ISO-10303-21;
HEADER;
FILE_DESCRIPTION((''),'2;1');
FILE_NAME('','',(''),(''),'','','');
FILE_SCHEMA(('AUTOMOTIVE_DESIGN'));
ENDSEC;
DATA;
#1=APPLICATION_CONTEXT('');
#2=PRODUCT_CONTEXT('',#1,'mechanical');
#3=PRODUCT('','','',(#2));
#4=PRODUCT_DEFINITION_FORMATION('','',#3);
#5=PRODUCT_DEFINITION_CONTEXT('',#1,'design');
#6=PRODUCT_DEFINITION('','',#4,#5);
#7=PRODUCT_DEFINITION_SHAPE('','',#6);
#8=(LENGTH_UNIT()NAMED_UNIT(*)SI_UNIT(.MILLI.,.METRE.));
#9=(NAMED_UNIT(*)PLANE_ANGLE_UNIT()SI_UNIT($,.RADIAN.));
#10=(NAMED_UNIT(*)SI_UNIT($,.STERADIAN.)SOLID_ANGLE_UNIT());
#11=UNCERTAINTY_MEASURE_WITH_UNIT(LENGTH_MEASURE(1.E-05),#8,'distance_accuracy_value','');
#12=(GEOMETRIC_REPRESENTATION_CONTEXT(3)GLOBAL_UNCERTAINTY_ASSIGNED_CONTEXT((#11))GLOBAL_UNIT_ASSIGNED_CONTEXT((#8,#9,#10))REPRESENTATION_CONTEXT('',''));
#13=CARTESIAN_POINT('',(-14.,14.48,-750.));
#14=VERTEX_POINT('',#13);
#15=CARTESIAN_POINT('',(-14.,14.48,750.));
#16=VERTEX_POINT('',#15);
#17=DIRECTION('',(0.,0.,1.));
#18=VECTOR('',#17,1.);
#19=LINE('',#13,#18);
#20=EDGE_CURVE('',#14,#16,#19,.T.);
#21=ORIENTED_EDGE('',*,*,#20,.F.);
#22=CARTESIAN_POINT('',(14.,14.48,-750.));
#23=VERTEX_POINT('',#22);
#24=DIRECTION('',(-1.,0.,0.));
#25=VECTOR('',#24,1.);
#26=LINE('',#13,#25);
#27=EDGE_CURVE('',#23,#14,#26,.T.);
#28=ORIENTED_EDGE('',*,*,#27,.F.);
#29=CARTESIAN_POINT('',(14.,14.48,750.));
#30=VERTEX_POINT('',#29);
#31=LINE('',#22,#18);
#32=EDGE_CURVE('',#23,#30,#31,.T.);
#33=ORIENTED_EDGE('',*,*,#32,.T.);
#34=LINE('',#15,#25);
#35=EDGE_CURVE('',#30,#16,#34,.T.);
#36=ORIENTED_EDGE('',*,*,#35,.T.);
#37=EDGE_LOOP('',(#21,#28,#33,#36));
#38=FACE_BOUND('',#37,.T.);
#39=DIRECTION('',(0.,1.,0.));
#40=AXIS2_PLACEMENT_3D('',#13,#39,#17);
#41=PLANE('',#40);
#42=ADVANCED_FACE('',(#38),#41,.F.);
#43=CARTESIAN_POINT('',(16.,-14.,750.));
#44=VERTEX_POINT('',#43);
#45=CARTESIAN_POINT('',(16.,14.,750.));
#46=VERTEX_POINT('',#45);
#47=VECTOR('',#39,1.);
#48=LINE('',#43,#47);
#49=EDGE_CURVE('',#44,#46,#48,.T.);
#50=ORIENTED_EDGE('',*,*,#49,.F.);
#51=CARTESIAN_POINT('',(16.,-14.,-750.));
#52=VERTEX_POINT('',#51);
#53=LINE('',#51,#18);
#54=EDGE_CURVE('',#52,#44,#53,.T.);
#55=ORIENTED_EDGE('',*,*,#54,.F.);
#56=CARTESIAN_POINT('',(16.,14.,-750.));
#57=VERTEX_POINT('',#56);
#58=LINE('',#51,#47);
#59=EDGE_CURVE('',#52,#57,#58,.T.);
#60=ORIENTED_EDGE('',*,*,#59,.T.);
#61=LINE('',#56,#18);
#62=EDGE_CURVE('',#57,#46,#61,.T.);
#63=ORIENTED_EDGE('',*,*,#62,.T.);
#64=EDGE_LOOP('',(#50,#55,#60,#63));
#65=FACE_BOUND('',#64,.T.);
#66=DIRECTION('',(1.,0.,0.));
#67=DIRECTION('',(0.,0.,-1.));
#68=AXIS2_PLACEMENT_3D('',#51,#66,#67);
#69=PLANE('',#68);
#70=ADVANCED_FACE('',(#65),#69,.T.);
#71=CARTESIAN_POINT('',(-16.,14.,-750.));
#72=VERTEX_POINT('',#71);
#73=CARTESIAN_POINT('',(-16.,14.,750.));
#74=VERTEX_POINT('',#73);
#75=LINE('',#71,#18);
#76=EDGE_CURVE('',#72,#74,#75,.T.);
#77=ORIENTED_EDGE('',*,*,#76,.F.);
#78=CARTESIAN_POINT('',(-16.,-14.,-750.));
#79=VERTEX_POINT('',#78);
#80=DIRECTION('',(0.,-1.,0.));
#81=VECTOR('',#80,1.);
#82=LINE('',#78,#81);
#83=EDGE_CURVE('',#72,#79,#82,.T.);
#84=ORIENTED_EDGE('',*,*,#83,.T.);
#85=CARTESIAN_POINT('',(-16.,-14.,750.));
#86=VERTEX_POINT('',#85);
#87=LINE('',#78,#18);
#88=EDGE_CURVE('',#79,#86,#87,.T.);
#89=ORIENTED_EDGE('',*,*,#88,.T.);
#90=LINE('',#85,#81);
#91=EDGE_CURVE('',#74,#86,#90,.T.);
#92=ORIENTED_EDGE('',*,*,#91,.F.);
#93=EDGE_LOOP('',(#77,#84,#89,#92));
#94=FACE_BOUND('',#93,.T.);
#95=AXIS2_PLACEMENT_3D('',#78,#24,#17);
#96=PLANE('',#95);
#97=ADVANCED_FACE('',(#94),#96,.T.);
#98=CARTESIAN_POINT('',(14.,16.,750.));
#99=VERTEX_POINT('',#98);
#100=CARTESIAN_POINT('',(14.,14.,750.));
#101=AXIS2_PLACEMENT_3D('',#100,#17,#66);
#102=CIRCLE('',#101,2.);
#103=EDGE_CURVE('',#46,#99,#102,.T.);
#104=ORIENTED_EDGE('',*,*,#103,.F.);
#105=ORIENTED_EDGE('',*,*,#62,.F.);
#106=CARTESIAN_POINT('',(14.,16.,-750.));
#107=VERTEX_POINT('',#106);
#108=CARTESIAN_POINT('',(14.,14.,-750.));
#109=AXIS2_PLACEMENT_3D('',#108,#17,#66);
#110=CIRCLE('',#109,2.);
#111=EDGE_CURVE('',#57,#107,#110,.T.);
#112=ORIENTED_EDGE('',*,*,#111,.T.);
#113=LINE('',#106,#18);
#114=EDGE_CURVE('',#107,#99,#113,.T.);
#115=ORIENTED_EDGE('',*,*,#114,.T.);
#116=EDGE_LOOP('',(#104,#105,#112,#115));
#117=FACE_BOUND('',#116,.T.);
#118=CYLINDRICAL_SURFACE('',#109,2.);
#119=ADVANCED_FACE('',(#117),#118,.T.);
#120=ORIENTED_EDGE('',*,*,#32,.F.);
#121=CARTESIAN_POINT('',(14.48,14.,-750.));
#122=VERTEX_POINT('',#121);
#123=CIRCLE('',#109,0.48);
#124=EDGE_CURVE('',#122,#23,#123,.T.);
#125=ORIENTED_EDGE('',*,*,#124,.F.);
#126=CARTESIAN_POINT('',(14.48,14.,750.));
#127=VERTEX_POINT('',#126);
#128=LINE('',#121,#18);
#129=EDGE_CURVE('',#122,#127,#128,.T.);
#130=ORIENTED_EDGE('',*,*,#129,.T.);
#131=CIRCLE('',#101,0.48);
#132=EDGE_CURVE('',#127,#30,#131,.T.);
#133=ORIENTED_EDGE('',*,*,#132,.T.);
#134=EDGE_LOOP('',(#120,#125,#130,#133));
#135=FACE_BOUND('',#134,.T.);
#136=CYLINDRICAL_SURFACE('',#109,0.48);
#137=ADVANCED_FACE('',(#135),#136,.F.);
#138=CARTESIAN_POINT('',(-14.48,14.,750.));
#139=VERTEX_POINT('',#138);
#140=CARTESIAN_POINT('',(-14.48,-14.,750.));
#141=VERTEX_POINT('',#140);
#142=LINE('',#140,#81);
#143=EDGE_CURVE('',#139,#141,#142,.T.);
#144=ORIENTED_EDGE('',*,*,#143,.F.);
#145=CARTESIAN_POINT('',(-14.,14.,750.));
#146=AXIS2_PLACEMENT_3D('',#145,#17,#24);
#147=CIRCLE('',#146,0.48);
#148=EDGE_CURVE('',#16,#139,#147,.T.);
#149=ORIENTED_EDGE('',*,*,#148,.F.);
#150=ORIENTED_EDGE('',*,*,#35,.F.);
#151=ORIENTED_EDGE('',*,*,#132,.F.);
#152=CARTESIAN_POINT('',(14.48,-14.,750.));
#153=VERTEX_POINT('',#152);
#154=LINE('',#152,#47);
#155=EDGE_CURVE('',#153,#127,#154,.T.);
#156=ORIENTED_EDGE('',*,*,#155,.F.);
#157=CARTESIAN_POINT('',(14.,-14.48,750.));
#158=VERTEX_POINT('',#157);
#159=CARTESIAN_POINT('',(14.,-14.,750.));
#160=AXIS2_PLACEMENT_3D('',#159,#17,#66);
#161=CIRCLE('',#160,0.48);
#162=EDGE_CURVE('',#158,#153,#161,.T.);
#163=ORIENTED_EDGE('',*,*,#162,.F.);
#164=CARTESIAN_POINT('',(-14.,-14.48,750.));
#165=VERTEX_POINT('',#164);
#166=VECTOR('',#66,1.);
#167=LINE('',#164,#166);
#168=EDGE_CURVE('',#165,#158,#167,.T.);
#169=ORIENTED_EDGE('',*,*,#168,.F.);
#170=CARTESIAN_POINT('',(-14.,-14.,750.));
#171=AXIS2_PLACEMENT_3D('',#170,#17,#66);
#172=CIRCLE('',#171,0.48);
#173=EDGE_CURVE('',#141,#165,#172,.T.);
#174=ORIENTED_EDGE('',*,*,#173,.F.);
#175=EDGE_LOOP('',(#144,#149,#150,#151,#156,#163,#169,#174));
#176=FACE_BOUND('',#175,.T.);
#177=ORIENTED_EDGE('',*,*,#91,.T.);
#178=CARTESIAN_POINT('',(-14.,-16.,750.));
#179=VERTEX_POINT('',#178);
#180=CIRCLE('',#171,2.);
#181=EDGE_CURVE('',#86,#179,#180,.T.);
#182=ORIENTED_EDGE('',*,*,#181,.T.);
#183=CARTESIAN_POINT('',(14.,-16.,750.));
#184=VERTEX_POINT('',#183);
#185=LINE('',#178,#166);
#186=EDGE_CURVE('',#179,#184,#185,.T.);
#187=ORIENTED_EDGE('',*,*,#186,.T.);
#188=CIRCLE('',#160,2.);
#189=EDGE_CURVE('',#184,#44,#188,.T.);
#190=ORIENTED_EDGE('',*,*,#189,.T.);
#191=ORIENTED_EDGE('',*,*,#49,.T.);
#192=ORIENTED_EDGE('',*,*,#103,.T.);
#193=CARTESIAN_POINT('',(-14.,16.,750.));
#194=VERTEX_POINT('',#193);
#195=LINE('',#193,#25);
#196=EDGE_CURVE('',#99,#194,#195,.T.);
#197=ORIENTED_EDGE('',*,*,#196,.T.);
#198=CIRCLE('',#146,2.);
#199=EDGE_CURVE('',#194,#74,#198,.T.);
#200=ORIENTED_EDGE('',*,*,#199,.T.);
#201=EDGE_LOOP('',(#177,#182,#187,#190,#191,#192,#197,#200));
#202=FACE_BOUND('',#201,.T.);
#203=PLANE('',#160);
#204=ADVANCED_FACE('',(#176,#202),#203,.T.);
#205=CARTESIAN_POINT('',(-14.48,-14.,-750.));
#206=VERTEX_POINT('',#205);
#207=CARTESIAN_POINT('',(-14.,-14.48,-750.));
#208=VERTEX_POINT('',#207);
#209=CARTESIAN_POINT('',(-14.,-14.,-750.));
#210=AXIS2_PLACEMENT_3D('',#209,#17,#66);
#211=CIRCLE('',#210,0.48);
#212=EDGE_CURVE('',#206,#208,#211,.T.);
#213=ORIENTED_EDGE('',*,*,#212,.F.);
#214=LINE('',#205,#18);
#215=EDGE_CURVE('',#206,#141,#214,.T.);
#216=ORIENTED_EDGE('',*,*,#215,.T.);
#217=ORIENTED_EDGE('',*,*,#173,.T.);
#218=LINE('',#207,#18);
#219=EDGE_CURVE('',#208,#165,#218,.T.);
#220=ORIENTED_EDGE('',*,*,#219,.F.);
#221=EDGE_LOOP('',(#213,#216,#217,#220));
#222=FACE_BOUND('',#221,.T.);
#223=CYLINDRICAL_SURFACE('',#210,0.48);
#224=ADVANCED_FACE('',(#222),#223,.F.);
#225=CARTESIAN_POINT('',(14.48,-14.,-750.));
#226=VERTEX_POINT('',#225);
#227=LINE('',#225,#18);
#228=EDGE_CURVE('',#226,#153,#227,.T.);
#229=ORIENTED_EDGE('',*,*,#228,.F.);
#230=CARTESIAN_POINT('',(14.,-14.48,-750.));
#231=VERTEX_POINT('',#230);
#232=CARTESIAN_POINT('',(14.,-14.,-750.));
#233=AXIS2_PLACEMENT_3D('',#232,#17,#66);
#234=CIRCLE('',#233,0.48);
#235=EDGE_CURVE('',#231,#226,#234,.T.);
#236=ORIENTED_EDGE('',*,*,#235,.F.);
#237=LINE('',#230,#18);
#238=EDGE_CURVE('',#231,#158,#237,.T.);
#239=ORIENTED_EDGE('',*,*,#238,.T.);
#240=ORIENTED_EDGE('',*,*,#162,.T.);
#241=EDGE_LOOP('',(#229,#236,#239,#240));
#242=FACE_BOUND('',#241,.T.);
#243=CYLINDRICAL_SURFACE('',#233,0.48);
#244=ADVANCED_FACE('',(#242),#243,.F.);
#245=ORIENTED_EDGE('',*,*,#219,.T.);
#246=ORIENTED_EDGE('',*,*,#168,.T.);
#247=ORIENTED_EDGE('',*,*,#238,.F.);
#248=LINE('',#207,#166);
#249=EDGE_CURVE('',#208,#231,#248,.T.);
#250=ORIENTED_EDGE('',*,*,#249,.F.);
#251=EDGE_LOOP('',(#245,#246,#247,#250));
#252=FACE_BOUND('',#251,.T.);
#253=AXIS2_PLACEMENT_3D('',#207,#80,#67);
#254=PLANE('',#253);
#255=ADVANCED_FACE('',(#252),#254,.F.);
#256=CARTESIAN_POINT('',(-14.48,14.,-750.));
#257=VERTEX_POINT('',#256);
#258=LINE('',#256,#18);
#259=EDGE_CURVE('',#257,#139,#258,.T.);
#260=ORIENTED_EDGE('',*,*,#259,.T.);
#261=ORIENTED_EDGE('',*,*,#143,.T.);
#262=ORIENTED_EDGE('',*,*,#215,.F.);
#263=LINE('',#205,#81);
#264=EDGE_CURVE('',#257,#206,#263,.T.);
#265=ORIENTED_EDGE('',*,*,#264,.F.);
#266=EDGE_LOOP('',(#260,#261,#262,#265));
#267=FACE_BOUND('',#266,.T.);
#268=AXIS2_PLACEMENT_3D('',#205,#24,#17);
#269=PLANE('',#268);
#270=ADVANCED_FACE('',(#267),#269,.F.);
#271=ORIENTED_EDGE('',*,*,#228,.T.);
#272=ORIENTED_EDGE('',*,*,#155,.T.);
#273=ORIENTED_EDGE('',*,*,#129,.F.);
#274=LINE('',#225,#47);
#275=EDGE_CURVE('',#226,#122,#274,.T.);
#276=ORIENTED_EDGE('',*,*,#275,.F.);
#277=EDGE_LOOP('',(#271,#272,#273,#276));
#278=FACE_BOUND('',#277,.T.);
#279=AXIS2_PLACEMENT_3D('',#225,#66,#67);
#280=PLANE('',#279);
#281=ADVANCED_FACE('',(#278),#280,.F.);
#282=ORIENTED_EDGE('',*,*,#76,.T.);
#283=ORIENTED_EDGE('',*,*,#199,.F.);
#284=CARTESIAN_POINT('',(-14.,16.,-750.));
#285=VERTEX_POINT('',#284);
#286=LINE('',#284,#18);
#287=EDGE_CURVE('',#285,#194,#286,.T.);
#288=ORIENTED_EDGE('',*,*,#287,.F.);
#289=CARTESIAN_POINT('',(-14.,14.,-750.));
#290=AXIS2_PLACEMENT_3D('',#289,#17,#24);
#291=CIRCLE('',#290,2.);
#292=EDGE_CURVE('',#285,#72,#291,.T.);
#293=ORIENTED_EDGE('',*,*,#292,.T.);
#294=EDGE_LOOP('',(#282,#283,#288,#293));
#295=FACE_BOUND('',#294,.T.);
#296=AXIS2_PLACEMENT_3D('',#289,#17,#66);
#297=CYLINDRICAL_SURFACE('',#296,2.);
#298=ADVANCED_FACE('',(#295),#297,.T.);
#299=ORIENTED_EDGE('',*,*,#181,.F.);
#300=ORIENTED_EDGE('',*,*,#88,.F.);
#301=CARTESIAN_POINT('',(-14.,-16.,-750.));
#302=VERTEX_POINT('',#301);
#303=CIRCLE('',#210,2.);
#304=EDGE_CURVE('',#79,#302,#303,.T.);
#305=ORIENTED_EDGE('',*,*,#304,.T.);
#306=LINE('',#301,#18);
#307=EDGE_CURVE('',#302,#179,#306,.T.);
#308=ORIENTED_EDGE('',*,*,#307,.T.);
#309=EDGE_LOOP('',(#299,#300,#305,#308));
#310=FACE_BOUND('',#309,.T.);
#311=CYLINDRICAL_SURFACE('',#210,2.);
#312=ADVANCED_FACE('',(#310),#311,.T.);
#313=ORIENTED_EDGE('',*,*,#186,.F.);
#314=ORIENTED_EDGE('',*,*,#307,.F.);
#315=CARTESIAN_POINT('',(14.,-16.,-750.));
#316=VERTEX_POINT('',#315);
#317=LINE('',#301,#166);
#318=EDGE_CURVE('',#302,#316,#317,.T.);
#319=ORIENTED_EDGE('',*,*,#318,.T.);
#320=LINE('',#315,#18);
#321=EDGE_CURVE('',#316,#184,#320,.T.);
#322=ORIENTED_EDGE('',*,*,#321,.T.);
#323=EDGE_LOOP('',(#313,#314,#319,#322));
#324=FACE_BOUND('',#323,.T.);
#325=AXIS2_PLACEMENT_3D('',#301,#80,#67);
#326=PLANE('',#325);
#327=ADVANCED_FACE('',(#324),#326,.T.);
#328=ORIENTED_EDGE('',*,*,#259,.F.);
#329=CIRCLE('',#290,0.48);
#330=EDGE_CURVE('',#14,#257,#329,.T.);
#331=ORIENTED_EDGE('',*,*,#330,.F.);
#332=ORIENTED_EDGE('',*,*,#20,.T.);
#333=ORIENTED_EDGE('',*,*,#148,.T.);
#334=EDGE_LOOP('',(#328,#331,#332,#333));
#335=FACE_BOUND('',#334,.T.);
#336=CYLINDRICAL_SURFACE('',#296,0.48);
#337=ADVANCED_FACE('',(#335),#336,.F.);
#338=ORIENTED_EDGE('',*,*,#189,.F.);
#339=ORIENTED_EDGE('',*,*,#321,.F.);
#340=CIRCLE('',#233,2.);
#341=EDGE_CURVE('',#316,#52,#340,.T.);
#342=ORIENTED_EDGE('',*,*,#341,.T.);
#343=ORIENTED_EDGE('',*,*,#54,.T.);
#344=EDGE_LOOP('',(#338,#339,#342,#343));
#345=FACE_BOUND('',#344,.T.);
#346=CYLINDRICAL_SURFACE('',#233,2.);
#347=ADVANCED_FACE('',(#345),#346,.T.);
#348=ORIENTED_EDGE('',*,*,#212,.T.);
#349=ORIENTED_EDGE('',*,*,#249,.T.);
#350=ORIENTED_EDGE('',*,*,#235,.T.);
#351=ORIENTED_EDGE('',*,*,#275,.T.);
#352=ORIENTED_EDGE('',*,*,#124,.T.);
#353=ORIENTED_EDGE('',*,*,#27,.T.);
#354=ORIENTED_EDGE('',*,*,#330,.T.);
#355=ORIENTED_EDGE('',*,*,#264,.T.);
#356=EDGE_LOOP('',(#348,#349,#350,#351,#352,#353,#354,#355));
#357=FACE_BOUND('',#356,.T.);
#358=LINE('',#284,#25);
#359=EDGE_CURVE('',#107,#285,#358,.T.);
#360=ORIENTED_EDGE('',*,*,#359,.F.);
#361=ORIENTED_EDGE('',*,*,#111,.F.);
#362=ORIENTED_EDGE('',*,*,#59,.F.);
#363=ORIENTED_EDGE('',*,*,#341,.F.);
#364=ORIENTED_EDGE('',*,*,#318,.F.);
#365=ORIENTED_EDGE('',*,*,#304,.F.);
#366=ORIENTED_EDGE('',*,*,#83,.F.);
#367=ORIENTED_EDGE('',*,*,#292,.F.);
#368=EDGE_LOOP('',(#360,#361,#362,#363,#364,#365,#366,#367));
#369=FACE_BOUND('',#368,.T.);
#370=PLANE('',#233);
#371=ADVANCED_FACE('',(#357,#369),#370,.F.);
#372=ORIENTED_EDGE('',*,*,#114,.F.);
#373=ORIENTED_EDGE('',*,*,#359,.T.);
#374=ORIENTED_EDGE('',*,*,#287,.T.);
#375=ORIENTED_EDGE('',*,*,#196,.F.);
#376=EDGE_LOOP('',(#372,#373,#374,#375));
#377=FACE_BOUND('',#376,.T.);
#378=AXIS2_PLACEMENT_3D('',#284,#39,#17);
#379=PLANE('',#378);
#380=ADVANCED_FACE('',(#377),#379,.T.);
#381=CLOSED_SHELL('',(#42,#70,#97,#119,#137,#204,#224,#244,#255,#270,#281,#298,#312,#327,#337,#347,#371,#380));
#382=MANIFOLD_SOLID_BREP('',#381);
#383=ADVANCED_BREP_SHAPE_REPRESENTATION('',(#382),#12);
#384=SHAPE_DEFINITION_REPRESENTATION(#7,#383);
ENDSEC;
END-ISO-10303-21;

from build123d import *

# Parameters (mm, degrees)
BOSS_EXTRUDE1_DEPTH      = 750
BOSS_EXTRUDE1_DEPTH_BACK = 750


with BuildPart() as part:
    # Sketch1 → Boss-Extrude1 (new, two sides: drawn at the far end of the back side and taken through both)
    with BuildSketch(Plane.XY.offset(-BOSS_EXTRUDE1_DEPTH_BACK)):
        with BuildLine():
            Line((-14, -16), (14, -16))
            ThreePointArc((14, -16), (15.414213562, -15.414213562), (16, -14))
            Line((16, -14), (16, 14))
            ThreePointArc((16, 14), (15.414213562, 15.414213562), (14, 16))
            Line((14, 16), (-14, 16))
            ThreePointArc((-14, 16), (-15.414213562, 15.414213562), (-16, 14))
            Line((-16, 14), (-16, -14))
            ThreePointArc((-16, -14), (-15.414213562, -15.414213562), (-14, -16))
        make_face()
        with BuildLine():
            Line((-14, 14.48), (14, 14.48))
            ThreePointArc((14, 14.48), (14.339411255, 14.339411255), (14.48, 14))
            Line((14.48, 14), (14.48, -14))
            ThreePointArc((14.48, -14), (14.339411255, -14.339411255), (14, -14.48))
            Line((14, -14.48), (-14, -14.48))
            ThreePointArc((-14, -14.48), (-14.339411255, -14.339411255), (-14.48, -14))
            Line((-14.48, -14), (-14.48, 14))
            ThreePointArc((-14.48, 14), (-14.339411255, 14.339411255), (-14, 14.48))
        make_face(mode=Mode.SUBTRACT)
    extrude(amount=BOSS_EXTRUDE1_DEPTH + BOSS_EXTRUDE1_DEPTH_BACK)


solid = part.part
